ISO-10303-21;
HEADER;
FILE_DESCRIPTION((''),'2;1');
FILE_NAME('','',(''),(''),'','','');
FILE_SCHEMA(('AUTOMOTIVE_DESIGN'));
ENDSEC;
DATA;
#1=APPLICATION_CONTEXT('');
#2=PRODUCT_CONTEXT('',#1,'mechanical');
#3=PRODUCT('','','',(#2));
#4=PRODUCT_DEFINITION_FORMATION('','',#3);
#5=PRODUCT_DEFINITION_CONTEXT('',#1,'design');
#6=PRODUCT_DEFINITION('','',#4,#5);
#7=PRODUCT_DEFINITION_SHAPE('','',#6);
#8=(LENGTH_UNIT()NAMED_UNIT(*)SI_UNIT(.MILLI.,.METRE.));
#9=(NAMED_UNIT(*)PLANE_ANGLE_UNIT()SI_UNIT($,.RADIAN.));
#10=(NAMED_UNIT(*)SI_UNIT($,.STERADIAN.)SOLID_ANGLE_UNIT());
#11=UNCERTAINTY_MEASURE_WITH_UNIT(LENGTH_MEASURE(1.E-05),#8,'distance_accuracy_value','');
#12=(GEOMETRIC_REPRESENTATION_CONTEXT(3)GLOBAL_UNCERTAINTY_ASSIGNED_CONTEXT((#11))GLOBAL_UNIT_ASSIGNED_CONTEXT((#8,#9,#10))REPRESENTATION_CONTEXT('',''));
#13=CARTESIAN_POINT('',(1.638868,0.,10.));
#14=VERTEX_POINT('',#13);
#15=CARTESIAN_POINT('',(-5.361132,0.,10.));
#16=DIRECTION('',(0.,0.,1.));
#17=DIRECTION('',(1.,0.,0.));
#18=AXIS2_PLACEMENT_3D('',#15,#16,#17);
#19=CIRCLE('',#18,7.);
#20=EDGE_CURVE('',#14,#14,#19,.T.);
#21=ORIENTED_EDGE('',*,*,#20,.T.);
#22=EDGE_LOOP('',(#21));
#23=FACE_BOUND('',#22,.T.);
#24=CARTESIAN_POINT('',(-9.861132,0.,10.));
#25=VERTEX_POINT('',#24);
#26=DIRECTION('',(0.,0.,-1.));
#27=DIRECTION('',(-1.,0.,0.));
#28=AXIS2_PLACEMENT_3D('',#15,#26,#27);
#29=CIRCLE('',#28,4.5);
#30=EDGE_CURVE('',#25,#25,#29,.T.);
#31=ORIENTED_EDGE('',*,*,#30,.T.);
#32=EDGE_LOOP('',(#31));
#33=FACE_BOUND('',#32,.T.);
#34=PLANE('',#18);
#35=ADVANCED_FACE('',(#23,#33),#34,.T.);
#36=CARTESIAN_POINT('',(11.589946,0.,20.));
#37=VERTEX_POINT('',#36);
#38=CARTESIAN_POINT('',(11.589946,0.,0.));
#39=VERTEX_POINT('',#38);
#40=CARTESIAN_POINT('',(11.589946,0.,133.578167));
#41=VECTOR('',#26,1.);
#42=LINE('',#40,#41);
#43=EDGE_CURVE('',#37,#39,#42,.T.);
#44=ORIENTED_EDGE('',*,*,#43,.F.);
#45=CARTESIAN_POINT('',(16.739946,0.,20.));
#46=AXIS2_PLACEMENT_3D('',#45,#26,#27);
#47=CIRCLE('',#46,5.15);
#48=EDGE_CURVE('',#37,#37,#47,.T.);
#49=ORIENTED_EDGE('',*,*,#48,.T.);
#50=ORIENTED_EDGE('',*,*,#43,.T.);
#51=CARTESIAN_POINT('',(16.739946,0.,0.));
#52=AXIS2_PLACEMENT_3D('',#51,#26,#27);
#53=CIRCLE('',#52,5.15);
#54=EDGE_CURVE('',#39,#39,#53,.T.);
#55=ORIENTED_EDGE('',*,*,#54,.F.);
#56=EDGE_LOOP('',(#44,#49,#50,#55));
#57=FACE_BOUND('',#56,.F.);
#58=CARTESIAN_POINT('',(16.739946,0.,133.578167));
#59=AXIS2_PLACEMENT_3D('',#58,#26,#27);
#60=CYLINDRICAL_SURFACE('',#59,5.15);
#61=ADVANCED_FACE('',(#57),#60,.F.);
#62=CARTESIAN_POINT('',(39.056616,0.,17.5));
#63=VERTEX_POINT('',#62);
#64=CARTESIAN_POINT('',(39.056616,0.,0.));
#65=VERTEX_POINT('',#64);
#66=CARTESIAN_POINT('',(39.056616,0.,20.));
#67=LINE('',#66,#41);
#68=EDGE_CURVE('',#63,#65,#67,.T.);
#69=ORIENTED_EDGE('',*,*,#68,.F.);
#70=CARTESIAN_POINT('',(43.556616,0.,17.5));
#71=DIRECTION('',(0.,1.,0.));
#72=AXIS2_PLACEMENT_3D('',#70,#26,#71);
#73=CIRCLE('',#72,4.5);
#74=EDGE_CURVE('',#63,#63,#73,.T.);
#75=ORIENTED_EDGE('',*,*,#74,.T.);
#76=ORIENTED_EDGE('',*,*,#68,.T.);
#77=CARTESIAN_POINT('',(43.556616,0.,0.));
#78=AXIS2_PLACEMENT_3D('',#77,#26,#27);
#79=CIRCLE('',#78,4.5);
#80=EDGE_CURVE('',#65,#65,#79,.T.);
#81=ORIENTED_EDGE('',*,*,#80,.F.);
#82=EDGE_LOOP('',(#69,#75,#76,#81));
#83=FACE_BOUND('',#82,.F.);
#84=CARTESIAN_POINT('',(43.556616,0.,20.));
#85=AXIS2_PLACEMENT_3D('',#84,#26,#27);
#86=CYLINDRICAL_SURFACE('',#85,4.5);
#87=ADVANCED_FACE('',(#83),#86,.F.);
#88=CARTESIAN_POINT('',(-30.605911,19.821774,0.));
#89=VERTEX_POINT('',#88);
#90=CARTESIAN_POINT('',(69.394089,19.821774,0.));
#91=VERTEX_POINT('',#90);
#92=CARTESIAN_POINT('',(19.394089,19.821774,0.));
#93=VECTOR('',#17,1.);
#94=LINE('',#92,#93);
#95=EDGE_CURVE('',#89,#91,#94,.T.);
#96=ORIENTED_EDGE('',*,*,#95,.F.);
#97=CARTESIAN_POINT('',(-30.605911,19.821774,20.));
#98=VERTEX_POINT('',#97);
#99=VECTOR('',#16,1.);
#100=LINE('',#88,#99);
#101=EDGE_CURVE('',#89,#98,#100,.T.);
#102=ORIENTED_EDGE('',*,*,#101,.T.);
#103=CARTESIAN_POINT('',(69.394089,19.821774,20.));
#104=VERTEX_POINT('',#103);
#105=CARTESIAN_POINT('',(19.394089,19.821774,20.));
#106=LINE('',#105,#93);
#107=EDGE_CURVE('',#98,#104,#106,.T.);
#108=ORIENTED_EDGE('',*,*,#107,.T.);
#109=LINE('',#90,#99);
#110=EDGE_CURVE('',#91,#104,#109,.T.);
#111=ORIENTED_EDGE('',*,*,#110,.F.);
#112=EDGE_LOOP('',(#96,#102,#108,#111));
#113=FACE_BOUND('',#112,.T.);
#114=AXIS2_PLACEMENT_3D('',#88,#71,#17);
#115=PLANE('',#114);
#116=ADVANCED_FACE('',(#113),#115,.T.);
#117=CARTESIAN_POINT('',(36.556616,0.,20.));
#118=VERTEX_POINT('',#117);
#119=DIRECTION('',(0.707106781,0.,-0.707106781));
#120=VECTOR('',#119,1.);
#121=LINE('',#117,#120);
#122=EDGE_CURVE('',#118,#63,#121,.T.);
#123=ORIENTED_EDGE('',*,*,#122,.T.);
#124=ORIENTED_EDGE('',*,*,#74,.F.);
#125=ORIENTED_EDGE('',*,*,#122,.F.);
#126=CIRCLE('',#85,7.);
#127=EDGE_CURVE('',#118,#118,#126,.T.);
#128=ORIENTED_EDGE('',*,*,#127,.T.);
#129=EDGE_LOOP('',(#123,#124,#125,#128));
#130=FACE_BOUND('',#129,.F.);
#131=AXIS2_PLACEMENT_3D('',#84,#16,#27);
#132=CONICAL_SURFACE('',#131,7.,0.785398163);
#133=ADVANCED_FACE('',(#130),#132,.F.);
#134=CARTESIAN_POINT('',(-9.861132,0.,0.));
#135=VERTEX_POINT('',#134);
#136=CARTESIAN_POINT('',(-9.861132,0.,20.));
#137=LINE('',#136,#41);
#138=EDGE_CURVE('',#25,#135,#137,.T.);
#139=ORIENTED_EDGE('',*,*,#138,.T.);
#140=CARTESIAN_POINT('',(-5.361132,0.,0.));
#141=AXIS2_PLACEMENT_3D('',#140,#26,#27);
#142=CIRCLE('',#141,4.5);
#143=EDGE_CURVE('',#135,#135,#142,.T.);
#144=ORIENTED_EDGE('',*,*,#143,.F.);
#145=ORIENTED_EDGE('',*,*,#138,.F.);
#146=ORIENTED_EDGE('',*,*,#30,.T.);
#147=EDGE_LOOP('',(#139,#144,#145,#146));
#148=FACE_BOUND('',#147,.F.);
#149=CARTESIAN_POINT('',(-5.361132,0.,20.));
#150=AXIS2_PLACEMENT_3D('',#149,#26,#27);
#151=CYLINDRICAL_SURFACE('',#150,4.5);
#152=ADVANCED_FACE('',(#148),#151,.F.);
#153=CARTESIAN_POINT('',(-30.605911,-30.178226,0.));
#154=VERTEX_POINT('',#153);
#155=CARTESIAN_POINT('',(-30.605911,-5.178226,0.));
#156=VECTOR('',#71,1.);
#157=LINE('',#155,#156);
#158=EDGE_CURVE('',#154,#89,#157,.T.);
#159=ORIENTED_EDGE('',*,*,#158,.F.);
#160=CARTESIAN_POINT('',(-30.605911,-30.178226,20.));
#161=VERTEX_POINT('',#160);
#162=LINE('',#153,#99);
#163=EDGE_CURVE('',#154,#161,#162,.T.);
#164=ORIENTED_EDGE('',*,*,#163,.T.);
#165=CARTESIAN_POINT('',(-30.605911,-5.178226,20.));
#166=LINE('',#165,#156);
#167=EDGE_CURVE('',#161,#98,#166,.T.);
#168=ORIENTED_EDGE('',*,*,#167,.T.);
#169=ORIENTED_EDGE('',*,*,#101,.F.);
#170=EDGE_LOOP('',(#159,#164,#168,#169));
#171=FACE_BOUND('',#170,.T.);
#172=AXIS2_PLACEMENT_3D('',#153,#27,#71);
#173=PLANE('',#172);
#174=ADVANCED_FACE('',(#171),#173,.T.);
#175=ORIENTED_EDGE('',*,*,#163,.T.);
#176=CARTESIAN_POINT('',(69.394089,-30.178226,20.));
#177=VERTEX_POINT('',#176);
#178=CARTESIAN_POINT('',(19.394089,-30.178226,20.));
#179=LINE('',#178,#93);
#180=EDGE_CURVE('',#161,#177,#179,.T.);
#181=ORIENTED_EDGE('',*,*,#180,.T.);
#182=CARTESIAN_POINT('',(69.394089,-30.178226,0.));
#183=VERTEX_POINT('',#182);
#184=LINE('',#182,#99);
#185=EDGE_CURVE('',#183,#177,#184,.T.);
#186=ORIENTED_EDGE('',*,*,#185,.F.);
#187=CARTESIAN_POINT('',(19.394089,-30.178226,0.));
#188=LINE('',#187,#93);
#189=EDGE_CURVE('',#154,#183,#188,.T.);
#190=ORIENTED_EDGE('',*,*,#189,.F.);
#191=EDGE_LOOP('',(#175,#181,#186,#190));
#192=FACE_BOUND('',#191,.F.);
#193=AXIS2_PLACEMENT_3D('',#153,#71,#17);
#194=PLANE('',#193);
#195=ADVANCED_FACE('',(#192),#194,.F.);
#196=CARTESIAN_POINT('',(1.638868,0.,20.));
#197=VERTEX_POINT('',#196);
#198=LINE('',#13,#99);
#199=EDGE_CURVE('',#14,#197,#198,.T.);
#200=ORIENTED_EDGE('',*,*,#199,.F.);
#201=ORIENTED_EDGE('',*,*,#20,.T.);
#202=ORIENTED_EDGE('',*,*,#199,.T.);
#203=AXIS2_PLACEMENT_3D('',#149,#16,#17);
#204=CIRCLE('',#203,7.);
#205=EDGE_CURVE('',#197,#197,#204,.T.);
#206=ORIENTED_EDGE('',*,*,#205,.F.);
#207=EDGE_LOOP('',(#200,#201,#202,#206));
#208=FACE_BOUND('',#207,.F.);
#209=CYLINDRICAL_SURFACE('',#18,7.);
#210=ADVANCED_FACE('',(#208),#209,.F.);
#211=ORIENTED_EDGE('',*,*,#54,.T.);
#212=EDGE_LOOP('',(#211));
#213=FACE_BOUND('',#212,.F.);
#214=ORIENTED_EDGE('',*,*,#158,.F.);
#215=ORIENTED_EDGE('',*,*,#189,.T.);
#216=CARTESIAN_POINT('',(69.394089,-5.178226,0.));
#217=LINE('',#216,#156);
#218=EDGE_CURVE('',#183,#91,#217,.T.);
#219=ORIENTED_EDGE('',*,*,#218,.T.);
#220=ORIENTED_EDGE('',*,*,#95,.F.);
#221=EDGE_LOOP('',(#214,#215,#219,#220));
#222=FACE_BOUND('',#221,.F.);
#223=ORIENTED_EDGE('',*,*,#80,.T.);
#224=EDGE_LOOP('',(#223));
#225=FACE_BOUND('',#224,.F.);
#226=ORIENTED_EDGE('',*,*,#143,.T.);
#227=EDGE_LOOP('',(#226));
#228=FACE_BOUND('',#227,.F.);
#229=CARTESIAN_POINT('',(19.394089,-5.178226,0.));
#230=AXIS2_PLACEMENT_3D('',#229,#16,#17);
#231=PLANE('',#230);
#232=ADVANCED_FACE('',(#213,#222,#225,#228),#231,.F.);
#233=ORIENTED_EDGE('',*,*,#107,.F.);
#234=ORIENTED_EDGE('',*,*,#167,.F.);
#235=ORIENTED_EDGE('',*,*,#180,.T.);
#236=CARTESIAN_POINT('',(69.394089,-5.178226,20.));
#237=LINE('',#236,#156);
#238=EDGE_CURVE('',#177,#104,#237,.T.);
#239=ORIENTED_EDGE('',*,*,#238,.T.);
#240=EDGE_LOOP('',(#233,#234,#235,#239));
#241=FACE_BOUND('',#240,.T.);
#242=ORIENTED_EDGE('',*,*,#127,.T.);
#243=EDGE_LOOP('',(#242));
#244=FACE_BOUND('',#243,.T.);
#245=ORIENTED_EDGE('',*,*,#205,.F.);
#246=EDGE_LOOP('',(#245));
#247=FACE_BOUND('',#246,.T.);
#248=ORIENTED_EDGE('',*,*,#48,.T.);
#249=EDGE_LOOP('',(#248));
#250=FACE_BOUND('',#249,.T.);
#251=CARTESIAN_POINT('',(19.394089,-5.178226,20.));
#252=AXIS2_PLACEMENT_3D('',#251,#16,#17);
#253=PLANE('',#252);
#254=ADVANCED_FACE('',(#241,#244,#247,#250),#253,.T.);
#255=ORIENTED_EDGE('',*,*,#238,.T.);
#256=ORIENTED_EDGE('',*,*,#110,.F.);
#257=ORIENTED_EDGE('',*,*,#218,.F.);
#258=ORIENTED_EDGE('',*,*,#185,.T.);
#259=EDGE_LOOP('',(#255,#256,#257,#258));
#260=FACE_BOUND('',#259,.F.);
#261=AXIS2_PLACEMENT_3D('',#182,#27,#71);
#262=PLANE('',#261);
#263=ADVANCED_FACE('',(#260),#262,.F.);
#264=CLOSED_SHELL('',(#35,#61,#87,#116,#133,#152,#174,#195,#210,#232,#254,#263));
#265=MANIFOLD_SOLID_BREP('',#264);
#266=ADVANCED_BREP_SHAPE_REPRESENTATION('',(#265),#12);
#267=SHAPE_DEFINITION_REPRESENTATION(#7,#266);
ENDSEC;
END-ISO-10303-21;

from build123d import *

# Parameters (mm, degrees)
F0_W           = 100
F0_H           = 50
F1_DEPTH       = 20
F3_D           = 9
F3_DEPTH       = 30
F3_CBORE_D     = 14
F3_CBORE_DEPTH = 10
F3_TIP         = 2.7038727856
F4_D           = 9
F4_CSINK_D     = 14
F4_CSINK_ANGLE = 90
F5_D           = 10.3


with BuildPart() as f1:
    # F0 (on Top) → F1 (new body)
    with BuildSketch(Plane.XY):
        with Locations((19.3940885365, -5.1782257724)):
            Rectangle(F0_W, F0_H)
    extrude(amount=F1_DEPTH)

    # F3
    with Locations(Plane.XY.offset(20)):
        with Locations((-5.3611323237, 0)):
            CounterBoreHole(F3_D / 2, F3_CBORE_D / 2, F3_CBORE_DEPTH, depth=F3_DEPTH)
            with Locations((0, 0, -(F3_DEPTH + F3_TIP / 2))):  # 118° drill point
                Cone(0, F3_D / 2, F3_TIP, mode=Mode.SUBTRACT)

    # F4 (through all)
    with Locations(Plane.XY.offset(20)):
        with Locations((43.5566157103, 0)):
            CounterSinkHole(F4_D / 2, F4_CSINK_D / 2, counter_sink_angle=F4_CSINK_ANGLE)

    # F5 (through all)
    with Locations(Plane.XY.offset(20)):
        with Locations((16.7399458587, 0)):
            Hole(F5_D / 2)


solid = f1.part
